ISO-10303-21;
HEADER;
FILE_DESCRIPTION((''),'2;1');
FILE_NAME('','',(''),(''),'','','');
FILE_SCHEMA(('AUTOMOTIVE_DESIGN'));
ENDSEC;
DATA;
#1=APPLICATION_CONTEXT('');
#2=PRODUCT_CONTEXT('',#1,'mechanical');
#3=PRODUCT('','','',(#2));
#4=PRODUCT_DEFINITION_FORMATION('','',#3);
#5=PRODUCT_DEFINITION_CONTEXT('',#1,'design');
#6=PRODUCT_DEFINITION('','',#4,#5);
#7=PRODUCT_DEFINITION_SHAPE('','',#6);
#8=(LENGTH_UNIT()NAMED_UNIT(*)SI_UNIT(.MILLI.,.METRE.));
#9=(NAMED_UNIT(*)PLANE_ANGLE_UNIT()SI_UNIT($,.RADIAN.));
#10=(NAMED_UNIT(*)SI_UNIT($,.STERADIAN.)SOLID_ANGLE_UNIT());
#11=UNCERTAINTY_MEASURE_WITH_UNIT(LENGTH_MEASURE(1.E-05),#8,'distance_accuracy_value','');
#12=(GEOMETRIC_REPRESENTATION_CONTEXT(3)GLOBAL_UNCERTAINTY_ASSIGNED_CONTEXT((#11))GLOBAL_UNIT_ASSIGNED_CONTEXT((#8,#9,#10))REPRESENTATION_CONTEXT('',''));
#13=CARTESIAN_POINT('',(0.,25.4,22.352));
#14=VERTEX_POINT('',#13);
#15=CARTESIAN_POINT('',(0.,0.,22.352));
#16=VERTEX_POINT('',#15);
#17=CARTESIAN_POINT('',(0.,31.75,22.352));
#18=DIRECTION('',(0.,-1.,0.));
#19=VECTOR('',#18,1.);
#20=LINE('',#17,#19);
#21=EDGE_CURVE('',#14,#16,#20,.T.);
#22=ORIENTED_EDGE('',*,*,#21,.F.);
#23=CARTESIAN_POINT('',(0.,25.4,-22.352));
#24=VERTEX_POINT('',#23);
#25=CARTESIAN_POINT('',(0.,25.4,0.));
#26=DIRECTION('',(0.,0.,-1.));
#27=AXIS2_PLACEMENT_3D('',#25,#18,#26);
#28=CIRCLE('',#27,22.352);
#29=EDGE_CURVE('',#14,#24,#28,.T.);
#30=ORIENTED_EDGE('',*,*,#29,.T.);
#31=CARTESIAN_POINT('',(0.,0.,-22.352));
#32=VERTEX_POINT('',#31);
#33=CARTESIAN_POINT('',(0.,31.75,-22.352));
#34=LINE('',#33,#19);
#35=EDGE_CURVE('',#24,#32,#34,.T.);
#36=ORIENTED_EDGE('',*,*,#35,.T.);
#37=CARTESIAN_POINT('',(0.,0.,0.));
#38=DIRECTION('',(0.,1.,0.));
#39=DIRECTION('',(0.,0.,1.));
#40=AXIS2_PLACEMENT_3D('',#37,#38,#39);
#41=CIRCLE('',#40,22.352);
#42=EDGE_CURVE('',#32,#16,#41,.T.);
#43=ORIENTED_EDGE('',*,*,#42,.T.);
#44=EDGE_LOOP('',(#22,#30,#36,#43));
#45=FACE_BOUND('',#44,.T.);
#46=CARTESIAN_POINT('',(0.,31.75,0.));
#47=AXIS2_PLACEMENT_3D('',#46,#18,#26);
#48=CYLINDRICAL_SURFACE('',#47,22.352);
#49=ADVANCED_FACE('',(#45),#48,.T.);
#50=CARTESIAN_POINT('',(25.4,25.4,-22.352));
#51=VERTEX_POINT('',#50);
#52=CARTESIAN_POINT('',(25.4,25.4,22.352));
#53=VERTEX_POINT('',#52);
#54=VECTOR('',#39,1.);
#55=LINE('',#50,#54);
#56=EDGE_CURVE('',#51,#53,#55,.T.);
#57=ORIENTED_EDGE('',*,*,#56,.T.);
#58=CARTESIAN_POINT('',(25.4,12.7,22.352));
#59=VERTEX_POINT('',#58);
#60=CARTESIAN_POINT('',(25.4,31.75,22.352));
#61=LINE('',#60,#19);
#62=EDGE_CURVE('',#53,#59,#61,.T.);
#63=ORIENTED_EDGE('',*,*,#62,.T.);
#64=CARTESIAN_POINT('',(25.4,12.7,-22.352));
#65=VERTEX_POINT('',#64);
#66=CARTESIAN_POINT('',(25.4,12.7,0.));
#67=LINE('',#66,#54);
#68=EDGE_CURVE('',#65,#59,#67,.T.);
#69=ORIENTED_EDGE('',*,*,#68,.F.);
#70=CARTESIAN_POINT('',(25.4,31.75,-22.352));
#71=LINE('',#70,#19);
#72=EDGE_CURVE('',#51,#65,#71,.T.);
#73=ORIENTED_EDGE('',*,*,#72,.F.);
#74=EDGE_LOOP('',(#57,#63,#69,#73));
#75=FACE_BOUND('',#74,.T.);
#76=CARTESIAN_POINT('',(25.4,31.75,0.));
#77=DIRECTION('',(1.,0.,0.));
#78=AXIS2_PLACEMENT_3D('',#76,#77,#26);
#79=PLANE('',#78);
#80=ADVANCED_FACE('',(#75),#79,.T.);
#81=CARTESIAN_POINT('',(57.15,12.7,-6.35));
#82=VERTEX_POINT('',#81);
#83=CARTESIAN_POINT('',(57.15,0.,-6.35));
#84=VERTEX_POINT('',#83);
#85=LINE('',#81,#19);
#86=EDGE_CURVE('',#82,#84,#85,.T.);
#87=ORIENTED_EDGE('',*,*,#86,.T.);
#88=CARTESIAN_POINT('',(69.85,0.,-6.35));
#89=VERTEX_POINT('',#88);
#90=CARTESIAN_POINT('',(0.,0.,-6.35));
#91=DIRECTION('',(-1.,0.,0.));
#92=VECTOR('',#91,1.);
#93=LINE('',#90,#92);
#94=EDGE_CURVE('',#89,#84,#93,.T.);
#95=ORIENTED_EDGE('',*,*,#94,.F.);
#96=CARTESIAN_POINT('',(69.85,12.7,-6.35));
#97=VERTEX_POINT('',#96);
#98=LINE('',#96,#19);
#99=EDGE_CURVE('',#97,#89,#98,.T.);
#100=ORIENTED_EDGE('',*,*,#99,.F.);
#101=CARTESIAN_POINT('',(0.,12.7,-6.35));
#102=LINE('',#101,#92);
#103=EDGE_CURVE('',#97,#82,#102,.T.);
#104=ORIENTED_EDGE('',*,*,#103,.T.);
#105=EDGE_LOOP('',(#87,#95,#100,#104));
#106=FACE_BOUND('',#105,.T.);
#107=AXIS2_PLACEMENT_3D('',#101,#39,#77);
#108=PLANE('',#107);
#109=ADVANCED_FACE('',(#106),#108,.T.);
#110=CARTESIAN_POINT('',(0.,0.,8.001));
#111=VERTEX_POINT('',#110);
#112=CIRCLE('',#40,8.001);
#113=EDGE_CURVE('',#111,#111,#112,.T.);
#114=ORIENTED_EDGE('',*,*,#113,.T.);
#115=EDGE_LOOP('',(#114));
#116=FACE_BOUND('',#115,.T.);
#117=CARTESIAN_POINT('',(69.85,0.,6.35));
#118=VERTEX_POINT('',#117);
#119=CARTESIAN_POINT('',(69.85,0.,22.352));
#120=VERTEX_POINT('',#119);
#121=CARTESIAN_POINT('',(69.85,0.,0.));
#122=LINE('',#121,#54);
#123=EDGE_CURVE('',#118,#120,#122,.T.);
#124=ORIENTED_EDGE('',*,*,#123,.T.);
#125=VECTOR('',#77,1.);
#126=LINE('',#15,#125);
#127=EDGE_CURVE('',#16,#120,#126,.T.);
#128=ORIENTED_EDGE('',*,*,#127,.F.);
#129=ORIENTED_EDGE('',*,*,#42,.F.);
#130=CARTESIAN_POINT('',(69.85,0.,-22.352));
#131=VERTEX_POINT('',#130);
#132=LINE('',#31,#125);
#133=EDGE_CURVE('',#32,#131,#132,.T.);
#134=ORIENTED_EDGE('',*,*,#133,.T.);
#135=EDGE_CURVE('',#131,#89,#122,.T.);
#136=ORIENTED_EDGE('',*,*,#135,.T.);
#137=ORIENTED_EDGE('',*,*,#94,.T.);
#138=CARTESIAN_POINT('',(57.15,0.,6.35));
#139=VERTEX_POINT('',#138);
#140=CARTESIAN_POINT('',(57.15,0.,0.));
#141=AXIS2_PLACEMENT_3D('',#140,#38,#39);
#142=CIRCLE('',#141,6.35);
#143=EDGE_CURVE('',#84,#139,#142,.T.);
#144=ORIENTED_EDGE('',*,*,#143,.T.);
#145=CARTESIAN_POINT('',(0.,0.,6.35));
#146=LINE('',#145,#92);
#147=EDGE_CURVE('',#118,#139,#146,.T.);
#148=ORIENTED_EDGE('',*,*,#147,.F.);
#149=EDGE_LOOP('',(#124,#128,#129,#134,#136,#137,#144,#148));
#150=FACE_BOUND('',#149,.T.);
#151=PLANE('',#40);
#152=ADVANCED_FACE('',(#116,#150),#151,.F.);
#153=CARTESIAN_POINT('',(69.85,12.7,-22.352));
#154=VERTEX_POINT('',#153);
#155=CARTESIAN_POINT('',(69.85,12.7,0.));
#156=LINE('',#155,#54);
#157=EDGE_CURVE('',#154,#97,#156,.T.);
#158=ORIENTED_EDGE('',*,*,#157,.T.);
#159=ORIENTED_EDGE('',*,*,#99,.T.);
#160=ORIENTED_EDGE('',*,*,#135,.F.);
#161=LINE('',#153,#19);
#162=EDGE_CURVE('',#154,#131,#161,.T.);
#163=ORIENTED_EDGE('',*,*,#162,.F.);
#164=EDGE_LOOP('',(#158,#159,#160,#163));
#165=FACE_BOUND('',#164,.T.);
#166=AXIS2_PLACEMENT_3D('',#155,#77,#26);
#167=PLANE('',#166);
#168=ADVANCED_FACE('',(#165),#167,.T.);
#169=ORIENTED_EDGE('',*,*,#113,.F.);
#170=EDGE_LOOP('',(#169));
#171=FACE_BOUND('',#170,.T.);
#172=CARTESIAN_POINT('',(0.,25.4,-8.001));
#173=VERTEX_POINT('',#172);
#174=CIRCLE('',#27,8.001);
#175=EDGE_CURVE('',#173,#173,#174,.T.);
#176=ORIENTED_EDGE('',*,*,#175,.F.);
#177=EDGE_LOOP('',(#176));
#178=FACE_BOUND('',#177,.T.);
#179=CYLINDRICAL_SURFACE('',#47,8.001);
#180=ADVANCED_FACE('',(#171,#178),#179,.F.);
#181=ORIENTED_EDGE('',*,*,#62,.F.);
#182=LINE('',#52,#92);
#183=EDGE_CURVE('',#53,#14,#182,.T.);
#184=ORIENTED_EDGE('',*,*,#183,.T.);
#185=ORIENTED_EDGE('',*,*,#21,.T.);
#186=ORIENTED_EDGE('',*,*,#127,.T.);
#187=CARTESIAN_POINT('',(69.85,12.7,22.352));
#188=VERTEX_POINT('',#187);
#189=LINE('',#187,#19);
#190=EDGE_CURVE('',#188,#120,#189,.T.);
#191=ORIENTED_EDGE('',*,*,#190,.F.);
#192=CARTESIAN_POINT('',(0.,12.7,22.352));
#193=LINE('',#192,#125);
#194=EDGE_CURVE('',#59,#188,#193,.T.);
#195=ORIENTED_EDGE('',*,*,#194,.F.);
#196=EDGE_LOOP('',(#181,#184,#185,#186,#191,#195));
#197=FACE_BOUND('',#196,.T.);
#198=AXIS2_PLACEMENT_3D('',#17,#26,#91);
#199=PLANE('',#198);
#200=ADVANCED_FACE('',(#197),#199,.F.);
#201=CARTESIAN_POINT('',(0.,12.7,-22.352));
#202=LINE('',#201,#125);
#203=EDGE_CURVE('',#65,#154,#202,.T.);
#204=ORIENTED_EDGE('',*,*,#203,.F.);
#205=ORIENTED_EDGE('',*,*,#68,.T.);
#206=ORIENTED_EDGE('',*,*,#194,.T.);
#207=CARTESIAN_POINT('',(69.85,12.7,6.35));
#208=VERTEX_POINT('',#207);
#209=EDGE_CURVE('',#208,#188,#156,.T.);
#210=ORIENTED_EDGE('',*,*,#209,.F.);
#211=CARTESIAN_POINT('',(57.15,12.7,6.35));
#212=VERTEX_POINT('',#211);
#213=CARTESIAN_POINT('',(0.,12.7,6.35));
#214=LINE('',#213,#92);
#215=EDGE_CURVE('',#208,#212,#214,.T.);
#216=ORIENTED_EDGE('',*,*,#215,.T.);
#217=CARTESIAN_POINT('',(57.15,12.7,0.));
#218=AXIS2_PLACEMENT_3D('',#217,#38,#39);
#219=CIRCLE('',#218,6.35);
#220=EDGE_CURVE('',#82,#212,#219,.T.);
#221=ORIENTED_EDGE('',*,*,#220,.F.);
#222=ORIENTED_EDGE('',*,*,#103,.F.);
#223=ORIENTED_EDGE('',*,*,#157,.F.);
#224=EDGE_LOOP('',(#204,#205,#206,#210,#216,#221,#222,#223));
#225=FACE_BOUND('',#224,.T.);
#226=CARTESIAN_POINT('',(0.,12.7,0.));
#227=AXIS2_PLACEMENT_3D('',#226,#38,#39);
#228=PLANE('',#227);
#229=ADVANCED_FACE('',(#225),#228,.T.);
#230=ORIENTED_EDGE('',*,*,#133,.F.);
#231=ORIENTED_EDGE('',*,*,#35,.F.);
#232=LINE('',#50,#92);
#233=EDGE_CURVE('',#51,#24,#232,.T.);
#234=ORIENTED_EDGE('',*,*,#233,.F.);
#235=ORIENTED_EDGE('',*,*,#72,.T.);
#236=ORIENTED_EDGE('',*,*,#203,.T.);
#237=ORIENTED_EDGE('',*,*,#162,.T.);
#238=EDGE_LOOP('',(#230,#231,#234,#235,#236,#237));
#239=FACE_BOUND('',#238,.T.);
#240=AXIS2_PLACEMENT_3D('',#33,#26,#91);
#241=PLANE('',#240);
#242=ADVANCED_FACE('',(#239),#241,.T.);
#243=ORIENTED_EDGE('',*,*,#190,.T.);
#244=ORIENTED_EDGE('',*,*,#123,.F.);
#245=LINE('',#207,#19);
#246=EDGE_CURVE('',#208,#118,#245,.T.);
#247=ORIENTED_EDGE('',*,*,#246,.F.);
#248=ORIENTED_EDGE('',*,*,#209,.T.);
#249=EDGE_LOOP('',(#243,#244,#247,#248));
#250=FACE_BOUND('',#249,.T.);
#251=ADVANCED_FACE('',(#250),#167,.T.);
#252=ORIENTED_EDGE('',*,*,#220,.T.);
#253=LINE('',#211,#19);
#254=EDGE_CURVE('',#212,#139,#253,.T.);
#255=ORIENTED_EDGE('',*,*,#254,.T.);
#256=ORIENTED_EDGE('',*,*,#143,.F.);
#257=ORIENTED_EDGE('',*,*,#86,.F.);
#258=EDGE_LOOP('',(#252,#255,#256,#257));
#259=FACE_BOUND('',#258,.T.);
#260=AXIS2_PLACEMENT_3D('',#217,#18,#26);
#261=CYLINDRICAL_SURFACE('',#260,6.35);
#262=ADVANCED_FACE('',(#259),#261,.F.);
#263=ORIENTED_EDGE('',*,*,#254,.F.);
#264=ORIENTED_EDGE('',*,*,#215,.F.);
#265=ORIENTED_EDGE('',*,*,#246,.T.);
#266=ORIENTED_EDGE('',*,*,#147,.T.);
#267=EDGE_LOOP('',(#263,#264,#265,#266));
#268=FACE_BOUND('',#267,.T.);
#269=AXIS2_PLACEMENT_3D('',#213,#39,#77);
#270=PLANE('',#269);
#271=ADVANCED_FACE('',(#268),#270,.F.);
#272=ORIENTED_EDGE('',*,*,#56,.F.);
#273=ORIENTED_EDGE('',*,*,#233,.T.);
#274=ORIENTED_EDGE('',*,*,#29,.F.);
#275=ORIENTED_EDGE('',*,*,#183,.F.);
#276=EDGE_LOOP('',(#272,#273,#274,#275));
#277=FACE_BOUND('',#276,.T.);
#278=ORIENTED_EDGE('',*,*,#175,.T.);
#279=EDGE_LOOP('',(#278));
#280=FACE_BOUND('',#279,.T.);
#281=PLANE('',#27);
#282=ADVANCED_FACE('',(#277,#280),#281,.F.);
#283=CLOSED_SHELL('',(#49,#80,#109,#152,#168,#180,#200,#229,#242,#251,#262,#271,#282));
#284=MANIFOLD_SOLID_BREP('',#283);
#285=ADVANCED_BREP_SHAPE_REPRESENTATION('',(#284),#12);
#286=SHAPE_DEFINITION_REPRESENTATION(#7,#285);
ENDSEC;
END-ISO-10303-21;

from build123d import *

# Parameters (mm, degrees)
CROQUIS1_R              = 8.001
SALIENTE_EXTRUIR1_DEPTH = 31.75
SALIENTE_EXTRUIR2_DEPTH = 12.7
CROQUIS3_W              = 47.752
CROQUIS3_H              = 44.704
CORTAR_EXTRUIR4_DEPTH   = 6.35


with BuildPart() as part:
    # Croquis1 → Saliente-Extruir1 (new body)
    with BuildSketch(Plane(origin=(0, 0, 0), x_dir=(1, 0, 0), z_dir=(0, 1, 0))):
        with BuildLine():
            Line((0, -22.352), (25.4, -22.352))
            Line((25.4, -22.352), (25.4, 22.352))
            Line((25.4, 22.352), (0, 22.352))
            ThreePointArc((0, 22.352), (-22.352, 0), (0, -22.352))
        make_face()
        Circle(CROQUIS1_R, mode=Mode.SUBTRACT)
    extrude(amount=SALIENTE_EXTRUIR1_DEPTH)

    # Croquis1<3> → Saliente-Extruir2 (add)
    with BuildSketch(Plane(origin=(0, 0, 0), x_dir=(1, 0, 0), z_dir=(0, 1, 0))):
        with BuildLine():
            Line((69.85, -22.352), (69.85, -6.35))
            Line((69.85, -6.35), (57.15, -6.35))
            ThreePointArc((57.15, -6.35), (50.8, 0), (57.15, 6.35))
            Line((57.15, 6.35), (69.85, 6.35))
            Line((69.85, 6.35), (69.85, 22.352))
            Line((69.85, 22.352), (25.4, 22.352))
            Line((25.4, 22.352), (25.4, -22.352))
            Line((25.4, -22.352), (69.85, -22.352))
        make_face()
    extrude(amount=SALIENTE_EXTRUIR2_DEPTH)

    # Croquis3 → Cortar-Extruir4 (cut)
    with BuildSketch(Plane(origin=(0, 31.75, 0), x_dir=(1, 0, 0), z_dir=(0, 1, 0))):
        with Locations((1.524, 0)):
            Rectangle(CROQUIS3_W, CROQUIS3_H)
    extrude(amount=-CORTAR_EXTRUIR4_DEPTH, mode=Mode.SUBTRACT)


solid = part.part
